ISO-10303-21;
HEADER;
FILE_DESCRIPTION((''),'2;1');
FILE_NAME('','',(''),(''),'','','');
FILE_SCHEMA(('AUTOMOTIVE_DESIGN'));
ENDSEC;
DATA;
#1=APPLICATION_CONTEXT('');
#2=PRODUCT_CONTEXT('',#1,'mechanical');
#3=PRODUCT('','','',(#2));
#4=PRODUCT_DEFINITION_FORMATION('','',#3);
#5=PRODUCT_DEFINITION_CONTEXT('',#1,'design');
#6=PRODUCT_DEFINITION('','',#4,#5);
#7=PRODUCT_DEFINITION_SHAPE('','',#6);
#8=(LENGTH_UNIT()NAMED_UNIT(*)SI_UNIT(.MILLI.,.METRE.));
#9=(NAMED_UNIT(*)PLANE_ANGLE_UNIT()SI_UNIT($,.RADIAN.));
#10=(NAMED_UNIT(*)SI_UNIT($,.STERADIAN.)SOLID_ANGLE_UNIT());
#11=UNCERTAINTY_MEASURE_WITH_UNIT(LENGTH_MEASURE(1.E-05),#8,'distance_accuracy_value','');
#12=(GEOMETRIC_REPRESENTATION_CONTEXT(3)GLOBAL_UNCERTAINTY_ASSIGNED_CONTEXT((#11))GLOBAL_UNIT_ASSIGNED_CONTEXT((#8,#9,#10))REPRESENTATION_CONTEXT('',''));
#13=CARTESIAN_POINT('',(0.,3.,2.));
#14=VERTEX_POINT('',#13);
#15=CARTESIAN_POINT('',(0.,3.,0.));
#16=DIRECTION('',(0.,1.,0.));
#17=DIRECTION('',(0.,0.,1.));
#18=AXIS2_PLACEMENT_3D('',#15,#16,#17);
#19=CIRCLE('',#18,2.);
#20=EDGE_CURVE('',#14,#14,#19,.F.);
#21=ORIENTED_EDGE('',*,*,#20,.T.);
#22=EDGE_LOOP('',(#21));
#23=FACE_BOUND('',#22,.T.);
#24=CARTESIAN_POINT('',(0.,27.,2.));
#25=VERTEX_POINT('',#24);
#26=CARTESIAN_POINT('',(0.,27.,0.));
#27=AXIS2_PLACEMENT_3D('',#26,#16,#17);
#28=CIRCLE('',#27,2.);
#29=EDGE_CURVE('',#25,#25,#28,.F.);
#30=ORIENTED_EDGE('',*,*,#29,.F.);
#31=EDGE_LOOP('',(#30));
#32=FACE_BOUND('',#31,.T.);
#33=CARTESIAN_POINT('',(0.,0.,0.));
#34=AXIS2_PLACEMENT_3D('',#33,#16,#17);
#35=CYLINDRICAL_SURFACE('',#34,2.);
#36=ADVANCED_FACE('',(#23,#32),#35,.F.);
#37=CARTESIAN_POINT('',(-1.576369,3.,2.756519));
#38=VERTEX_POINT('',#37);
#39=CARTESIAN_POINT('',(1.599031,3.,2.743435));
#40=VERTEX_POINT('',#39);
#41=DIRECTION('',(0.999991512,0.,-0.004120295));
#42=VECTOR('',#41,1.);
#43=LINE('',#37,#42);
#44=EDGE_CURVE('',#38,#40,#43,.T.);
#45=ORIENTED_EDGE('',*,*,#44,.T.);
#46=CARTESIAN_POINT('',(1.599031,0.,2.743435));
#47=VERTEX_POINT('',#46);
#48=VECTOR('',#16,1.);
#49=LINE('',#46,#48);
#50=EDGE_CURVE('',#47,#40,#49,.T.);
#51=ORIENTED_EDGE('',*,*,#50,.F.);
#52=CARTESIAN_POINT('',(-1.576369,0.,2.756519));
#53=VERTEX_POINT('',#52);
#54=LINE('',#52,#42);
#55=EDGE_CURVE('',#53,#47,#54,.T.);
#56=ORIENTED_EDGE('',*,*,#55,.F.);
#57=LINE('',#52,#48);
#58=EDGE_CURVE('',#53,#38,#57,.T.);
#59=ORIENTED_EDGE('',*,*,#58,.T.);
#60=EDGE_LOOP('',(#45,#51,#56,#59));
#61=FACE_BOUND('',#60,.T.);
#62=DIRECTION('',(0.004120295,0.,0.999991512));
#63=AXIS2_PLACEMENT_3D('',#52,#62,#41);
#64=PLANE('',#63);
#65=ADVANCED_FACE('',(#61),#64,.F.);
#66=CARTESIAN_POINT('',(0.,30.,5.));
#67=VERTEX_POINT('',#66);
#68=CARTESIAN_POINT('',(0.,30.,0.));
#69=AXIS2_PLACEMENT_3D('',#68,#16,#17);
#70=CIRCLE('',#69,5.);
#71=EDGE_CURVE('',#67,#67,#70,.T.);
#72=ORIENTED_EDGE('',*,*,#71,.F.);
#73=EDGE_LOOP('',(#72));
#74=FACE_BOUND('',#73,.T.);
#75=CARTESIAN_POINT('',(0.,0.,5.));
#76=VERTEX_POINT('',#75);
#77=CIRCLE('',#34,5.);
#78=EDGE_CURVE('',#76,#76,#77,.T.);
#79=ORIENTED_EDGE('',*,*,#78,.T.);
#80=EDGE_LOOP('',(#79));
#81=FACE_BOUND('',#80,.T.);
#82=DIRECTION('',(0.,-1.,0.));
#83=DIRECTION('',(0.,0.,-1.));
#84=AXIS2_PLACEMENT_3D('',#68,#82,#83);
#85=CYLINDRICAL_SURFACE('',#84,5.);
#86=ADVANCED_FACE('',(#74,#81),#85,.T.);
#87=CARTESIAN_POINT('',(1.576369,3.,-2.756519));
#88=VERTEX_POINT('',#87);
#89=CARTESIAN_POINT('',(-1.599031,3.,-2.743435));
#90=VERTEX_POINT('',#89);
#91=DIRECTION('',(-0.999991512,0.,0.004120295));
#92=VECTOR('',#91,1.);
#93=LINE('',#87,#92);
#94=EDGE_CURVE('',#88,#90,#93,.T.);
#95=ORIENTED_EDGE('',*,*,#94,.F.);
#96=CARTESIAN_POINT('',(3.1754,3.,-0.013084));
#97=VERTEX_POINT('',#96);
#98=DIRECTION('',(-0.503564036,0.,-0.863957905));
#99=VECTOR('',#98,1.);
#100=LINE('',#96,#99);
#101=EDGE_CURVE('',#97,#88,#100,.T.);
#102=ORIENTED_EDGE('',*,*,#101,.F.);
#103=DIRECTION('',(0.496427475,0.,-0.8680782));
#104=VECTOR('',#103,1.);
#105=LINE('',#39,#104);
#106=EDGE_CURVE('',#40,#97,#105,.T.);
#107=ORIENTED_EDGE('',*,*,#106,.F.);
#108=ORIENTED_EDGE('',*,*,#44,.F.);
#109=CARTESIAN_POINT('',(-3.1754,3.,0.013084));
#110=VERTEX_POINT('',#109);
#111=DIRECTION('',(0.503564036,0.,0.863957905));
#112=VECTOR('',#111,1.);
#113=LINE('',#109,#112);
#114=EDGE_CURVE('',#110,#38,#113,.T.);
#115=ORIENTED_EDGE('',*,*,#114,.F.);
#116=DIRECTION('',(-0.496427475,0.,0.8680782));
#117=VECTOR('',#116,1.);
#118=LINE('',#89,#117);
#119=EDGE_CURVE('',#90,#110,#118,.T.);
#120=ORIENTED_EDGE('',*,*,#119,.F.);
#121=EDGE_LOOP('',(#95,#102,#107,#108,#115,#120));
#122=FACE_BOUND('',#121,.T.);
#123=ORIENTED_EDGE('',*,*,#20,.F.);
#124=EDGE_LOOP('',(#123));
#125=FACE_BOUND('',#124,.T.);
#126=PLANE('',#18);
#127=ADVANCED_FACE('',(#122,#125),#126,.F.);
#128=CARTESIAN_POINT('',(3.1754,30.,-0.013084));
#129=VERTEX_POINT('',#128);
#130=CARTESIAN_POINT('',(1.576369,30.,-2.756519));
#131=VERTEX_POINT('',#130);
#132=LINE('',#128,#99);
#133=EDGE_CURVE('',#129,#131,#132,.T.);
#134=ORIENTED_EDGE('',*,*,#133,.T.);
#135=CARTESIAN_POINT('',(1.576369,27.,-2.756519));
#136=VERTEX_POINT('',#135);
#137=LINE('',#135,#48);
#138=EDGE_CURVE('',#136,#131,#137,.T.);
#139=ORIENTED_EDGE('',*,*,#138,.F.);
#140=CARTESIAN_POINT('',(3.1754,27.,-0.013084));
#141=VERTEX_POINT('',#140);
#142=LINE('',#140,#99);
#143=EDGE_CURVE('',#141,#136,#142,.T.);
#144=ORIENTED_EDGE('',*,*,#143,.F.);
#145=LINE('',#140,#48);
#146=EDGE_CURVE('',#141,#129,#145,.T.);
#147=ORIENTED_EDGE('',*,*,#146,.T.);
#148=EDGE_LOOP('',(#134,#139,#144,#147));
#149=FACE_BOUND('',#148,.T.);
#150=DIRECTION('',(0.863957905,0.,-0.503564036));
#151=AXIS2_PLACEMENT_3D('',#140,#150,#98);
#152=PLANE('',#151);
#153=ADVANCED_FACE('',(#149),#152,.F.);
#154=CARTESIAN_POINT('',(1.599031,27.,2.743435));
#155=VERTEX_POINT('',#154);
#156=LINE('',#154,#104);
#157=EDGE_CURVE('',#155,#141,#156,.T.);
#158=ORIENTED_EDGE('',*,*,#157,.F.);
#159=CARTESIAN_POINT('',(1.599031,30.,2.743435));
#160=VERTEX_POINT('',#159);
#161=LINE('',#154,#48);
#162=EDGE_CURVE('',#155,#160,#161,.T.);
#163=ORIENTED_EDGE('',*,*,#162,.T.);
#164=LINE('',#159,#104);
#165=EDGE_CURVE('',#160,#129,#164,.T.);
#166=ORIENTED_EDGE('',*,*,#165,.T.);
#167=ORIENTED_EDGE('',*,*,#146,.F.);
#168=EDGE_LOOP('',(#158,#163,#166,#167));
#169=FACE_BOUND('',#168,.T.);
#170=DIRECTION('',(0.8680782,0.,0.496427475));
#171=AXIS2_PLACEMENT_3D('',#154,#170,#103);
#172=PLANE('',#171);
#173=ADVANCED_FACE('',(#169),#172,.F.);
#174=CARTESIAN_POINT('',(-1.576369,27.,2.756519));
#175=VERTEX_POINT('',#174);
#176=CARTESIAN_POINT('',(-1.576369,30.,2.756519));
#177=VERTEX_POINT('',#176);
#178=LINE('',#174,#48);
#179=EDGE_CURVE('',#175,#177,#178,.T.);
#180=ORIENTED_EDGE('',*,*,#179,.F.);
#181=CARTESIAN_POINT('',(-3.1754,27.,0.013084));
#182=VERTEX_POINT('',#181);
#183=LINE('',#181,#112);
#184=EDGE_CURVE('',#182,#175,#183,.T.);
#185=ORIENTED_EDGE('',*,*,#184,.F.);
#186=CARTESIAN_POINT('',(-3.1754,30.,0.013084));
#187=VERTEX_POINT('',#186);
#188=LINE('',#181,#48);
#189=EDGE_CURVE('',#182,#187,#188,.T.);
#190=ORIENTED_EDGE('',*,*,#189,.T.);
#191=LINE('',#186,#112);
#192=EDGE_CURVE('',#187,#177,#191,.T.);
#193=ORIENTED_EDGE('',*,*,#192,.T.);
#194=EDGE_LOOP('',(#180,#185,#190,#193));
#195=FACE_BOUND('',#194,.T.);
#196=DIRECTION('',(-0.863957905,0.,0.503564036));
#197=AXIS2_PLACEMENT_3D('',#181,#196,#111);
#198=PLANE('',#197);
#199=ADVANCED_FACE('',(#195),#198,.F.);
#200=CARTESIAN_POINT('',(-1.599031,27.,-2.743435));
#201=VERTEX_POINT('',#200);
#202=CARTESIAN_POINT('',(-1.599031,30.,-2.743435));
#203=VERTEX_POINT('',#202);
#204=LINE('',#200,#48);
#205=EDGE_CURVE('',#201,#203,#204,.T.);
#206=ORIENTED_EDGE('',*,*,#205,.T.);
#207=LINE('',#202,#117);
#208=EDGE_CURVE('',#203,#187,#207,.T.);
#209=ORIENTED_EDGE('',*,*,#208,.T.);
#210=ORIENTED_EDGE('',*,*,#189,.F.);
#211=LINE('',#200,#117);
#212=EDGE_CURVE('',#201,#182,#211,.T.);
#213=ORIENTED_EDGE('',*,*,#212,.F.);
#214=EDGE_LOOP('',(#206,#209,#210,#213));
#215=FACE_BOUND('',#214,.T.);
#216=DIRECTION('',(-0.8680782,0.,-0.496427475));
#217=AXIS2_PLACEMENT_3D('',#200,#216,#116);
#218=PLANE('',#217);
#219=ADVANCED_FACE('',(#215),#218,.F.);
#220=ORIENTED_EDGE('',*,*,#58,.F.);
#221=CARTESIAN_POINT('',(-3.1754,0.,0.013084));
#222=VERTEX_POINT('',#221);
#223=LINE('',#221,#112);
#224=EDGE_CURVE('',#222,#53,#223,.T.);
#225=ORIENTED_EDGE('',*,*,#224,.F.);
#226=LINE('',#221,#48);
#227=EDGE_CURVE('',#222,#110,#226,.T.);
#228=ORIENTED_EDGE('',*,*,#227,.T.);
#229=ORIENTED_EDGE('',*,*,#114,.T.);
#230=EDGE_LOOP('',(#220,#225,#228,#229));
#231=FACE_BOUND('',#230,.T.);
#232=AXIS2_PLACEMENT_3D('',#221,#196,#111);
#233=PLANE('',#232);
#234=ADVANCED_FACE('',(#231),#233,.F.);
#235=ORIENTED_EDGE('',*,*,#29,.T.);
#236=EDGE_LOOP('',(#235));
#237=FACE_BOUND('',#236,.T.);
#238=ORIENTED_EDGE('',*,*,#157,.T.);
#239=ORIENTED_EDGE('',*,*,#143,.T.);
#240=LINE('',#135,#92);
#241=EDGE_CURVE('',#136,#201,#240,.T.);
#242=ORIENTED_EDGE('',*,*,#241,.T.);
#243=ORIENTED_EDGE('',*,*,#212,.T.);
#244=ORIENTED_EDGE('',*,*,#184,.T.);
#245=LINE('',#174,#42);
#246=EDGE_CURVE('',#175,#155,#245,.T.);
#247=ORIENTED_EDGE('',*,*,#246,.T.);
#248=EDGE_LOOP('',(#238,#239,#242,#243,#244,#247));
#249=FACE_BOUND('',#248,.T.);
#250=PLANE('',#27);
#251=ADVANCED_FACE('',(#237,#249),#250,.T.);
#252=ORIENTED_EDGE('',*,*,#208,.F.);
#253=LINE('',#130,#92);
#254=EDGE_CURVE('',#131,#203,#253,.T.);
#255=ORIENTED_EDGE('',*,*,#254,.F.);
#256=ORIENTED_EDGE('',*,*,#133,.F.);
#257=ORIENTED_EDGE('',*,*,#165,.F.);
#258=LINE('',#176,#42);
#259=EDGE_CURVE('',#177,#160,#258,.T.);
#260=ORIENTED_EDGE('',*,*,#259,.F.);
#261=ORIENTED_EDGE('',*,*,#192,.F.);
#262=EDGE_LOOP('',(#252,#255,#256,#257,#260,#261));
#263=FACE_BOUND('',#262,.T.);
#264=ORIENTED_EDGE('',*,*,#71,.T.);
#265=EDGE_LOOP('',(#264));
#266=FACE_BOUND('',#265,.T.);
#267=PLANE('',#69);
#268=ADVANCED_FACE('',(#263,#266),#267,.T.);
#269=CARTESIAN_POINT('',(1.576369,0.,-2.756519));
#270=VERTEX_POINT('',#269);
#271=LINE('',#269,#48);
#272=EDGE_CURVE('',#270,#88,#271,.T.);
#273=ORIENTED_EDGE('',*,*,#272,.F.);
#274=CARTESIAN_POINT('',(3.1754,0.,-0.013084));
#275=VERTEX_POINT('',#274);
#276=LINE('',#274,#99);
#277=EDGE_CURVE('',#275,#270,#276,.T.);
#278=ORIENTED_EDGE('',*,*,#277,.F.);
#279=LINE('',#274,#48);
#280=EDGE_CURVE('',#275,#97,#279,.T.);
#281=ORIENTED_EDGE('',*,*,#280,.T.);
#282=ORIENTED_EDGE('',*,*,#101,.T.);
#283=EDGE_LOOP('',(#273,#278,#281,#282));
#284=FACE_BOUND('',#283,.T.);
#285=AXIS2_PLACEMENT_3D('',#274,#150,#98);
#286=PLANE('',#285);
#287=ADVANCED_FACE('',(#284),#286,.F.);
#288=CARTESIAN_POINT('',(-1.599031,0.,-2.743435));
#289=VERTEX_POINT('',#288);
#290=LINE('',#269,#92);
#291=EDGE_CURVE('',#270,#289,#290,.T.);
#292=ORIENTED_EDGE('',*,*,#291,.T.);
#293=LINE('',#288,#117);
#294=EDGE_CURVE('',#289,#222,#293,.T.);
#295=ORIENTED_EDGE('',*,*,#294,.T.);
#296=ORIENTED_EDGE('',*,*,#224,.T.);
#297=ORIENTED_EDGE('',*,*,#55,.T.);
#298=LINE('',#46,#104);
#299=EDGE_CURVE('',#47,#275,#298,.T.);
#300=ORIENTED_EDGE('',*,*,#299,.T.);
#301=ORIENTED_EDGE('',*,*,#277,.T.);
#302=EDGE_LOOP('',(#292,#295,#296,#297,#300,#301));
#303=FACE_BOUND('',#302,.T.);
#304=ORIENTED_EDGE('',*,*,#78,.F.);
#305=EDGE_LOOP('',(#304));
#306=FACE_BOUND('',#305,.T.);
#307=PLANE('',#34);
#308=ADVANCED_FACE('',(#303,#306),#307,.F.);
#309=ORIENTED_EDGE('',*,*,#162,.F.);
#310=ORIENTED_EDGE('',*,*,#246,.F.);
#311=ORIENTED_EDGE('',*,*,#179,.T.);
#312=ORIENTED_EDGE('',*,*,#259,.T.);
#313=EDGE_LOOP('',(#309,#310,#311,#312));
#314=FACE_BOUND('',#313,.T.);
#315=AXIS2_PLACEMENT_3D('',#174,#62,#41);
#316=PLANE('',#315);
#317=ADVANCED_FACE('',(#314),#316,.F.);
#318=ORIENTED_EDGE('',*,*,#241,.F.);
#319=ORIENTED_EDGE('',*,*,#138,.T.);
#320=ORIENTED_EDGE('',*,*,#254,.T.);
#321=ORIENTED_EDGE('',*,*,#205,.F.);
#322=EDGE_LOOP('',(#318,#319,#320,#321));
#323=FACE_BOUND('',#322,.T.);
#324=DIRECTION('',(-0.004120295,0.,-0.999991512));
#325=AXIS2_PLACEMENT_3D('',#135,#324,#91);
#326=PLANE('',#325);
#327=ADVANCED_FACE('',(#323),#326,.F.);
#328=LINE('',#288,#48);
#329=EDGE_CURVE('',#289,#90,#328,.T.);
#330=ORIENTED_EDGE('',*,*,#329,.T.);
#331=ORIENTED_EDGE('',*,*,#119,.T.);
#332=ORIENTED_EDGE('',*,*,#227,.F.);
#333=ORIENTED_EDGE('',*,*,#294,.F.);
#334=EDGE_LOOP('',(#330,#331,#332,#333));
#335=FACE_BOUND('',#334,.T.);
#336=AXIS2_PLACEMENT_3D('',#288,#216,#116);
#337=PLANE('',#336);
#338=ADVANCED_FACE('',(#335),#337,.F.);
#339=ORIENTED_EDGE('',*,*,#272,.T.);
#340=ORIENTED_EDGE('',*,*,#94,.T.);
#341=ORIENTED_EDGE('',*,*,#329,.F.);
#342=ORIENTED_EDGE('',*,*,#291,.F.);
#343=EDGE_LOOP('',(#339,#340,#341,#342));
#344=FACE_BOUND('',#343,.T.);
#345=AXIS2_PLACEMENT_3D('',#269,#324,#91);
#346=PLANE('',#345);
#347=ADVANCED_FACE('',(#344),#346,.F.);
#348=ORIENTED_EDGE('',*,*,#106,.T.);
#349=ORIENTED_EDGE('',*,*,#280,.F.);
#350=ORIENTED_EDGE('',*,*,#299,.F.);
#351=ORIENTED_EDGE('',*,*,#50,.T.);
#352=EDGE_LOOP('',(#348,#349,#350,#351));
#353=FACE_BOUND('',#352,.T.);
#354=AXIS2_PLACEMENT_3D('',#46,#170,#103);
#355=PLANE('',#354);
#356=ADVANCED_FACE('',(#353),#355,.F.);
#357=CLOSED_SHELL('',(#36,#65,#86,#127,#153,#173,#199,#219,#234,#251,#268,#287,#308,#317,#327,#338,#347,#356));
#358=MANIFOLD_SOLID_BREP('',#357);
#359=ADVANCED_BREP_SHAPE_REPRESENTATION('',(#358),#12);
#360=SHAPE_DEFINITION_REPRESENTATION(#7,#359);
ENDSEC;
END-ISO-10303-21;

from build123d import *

# Parameters (mm, degrees)
SKETCH1_R           = 5
BOSS_EXTRUDE1_DEPTH = 30
SKETCH2_R           = 2
CUT_EXTRUDE1_DEPTH  = 31
CUT_EXTRUDE2_DEPTH  = 3
LPATTERN1_COUNT     = 2
LPATTERN1_PITCH     = 27


with BuildPart() as part:
    # Sketch1 → Boss-Extrude1 (new body)
    with BuildSketch(Plane(origin=(0, 0, 0), x_dir=(1, 0, 0), z_dir=(0, 1, 0))):
        Circle(SKETCH1_R)
    extrude(amount=BOSS_EXTRUDE1_DEPTH)

    # Sketch2 → Cut-Extrude1 (cut, through all)
    with BuildSketch(Plane(origin=(0, 30, 0), x_dir=(1, 0, 0), z_dir=(0, 1, 0))):
        Circle(SKETCH2_R)
    extrude(amount=-CUT_EXTRUDE1_DEPTH, mode=Mode.SUBTRACT)

    # Sketch3 → Cut-Extrude2 (cut)
    with BuildSketch(Plane(origin=(0, 30, 0), x_dir=(1, 0, 0), z_dir=(0, 1, 0))):
        Polygon((1.599030575, -2.74343481), (3.175399526, 0.013083694), (1.576368951, 2.756518504), (-1.599030575, 2.74343481), (-3.175399526, -0.013083694), (-1.576368951, -2.756518504), align=None)
    cut_extrude2 = extrude(amount=-CUT_EXTRUDE2_DEPTH, mode=Mode.SUBTRACT)

    # LPattern1: Cut-Extrude2 ×2
    with Locations(*[(0, -i * LPATTERN1_PITCH, 0) for i in range(1, LPATTERN1_COUNT)]):
        add(cut_extrude2, mode=Mode.SUBTRACT)


solid = part.part
